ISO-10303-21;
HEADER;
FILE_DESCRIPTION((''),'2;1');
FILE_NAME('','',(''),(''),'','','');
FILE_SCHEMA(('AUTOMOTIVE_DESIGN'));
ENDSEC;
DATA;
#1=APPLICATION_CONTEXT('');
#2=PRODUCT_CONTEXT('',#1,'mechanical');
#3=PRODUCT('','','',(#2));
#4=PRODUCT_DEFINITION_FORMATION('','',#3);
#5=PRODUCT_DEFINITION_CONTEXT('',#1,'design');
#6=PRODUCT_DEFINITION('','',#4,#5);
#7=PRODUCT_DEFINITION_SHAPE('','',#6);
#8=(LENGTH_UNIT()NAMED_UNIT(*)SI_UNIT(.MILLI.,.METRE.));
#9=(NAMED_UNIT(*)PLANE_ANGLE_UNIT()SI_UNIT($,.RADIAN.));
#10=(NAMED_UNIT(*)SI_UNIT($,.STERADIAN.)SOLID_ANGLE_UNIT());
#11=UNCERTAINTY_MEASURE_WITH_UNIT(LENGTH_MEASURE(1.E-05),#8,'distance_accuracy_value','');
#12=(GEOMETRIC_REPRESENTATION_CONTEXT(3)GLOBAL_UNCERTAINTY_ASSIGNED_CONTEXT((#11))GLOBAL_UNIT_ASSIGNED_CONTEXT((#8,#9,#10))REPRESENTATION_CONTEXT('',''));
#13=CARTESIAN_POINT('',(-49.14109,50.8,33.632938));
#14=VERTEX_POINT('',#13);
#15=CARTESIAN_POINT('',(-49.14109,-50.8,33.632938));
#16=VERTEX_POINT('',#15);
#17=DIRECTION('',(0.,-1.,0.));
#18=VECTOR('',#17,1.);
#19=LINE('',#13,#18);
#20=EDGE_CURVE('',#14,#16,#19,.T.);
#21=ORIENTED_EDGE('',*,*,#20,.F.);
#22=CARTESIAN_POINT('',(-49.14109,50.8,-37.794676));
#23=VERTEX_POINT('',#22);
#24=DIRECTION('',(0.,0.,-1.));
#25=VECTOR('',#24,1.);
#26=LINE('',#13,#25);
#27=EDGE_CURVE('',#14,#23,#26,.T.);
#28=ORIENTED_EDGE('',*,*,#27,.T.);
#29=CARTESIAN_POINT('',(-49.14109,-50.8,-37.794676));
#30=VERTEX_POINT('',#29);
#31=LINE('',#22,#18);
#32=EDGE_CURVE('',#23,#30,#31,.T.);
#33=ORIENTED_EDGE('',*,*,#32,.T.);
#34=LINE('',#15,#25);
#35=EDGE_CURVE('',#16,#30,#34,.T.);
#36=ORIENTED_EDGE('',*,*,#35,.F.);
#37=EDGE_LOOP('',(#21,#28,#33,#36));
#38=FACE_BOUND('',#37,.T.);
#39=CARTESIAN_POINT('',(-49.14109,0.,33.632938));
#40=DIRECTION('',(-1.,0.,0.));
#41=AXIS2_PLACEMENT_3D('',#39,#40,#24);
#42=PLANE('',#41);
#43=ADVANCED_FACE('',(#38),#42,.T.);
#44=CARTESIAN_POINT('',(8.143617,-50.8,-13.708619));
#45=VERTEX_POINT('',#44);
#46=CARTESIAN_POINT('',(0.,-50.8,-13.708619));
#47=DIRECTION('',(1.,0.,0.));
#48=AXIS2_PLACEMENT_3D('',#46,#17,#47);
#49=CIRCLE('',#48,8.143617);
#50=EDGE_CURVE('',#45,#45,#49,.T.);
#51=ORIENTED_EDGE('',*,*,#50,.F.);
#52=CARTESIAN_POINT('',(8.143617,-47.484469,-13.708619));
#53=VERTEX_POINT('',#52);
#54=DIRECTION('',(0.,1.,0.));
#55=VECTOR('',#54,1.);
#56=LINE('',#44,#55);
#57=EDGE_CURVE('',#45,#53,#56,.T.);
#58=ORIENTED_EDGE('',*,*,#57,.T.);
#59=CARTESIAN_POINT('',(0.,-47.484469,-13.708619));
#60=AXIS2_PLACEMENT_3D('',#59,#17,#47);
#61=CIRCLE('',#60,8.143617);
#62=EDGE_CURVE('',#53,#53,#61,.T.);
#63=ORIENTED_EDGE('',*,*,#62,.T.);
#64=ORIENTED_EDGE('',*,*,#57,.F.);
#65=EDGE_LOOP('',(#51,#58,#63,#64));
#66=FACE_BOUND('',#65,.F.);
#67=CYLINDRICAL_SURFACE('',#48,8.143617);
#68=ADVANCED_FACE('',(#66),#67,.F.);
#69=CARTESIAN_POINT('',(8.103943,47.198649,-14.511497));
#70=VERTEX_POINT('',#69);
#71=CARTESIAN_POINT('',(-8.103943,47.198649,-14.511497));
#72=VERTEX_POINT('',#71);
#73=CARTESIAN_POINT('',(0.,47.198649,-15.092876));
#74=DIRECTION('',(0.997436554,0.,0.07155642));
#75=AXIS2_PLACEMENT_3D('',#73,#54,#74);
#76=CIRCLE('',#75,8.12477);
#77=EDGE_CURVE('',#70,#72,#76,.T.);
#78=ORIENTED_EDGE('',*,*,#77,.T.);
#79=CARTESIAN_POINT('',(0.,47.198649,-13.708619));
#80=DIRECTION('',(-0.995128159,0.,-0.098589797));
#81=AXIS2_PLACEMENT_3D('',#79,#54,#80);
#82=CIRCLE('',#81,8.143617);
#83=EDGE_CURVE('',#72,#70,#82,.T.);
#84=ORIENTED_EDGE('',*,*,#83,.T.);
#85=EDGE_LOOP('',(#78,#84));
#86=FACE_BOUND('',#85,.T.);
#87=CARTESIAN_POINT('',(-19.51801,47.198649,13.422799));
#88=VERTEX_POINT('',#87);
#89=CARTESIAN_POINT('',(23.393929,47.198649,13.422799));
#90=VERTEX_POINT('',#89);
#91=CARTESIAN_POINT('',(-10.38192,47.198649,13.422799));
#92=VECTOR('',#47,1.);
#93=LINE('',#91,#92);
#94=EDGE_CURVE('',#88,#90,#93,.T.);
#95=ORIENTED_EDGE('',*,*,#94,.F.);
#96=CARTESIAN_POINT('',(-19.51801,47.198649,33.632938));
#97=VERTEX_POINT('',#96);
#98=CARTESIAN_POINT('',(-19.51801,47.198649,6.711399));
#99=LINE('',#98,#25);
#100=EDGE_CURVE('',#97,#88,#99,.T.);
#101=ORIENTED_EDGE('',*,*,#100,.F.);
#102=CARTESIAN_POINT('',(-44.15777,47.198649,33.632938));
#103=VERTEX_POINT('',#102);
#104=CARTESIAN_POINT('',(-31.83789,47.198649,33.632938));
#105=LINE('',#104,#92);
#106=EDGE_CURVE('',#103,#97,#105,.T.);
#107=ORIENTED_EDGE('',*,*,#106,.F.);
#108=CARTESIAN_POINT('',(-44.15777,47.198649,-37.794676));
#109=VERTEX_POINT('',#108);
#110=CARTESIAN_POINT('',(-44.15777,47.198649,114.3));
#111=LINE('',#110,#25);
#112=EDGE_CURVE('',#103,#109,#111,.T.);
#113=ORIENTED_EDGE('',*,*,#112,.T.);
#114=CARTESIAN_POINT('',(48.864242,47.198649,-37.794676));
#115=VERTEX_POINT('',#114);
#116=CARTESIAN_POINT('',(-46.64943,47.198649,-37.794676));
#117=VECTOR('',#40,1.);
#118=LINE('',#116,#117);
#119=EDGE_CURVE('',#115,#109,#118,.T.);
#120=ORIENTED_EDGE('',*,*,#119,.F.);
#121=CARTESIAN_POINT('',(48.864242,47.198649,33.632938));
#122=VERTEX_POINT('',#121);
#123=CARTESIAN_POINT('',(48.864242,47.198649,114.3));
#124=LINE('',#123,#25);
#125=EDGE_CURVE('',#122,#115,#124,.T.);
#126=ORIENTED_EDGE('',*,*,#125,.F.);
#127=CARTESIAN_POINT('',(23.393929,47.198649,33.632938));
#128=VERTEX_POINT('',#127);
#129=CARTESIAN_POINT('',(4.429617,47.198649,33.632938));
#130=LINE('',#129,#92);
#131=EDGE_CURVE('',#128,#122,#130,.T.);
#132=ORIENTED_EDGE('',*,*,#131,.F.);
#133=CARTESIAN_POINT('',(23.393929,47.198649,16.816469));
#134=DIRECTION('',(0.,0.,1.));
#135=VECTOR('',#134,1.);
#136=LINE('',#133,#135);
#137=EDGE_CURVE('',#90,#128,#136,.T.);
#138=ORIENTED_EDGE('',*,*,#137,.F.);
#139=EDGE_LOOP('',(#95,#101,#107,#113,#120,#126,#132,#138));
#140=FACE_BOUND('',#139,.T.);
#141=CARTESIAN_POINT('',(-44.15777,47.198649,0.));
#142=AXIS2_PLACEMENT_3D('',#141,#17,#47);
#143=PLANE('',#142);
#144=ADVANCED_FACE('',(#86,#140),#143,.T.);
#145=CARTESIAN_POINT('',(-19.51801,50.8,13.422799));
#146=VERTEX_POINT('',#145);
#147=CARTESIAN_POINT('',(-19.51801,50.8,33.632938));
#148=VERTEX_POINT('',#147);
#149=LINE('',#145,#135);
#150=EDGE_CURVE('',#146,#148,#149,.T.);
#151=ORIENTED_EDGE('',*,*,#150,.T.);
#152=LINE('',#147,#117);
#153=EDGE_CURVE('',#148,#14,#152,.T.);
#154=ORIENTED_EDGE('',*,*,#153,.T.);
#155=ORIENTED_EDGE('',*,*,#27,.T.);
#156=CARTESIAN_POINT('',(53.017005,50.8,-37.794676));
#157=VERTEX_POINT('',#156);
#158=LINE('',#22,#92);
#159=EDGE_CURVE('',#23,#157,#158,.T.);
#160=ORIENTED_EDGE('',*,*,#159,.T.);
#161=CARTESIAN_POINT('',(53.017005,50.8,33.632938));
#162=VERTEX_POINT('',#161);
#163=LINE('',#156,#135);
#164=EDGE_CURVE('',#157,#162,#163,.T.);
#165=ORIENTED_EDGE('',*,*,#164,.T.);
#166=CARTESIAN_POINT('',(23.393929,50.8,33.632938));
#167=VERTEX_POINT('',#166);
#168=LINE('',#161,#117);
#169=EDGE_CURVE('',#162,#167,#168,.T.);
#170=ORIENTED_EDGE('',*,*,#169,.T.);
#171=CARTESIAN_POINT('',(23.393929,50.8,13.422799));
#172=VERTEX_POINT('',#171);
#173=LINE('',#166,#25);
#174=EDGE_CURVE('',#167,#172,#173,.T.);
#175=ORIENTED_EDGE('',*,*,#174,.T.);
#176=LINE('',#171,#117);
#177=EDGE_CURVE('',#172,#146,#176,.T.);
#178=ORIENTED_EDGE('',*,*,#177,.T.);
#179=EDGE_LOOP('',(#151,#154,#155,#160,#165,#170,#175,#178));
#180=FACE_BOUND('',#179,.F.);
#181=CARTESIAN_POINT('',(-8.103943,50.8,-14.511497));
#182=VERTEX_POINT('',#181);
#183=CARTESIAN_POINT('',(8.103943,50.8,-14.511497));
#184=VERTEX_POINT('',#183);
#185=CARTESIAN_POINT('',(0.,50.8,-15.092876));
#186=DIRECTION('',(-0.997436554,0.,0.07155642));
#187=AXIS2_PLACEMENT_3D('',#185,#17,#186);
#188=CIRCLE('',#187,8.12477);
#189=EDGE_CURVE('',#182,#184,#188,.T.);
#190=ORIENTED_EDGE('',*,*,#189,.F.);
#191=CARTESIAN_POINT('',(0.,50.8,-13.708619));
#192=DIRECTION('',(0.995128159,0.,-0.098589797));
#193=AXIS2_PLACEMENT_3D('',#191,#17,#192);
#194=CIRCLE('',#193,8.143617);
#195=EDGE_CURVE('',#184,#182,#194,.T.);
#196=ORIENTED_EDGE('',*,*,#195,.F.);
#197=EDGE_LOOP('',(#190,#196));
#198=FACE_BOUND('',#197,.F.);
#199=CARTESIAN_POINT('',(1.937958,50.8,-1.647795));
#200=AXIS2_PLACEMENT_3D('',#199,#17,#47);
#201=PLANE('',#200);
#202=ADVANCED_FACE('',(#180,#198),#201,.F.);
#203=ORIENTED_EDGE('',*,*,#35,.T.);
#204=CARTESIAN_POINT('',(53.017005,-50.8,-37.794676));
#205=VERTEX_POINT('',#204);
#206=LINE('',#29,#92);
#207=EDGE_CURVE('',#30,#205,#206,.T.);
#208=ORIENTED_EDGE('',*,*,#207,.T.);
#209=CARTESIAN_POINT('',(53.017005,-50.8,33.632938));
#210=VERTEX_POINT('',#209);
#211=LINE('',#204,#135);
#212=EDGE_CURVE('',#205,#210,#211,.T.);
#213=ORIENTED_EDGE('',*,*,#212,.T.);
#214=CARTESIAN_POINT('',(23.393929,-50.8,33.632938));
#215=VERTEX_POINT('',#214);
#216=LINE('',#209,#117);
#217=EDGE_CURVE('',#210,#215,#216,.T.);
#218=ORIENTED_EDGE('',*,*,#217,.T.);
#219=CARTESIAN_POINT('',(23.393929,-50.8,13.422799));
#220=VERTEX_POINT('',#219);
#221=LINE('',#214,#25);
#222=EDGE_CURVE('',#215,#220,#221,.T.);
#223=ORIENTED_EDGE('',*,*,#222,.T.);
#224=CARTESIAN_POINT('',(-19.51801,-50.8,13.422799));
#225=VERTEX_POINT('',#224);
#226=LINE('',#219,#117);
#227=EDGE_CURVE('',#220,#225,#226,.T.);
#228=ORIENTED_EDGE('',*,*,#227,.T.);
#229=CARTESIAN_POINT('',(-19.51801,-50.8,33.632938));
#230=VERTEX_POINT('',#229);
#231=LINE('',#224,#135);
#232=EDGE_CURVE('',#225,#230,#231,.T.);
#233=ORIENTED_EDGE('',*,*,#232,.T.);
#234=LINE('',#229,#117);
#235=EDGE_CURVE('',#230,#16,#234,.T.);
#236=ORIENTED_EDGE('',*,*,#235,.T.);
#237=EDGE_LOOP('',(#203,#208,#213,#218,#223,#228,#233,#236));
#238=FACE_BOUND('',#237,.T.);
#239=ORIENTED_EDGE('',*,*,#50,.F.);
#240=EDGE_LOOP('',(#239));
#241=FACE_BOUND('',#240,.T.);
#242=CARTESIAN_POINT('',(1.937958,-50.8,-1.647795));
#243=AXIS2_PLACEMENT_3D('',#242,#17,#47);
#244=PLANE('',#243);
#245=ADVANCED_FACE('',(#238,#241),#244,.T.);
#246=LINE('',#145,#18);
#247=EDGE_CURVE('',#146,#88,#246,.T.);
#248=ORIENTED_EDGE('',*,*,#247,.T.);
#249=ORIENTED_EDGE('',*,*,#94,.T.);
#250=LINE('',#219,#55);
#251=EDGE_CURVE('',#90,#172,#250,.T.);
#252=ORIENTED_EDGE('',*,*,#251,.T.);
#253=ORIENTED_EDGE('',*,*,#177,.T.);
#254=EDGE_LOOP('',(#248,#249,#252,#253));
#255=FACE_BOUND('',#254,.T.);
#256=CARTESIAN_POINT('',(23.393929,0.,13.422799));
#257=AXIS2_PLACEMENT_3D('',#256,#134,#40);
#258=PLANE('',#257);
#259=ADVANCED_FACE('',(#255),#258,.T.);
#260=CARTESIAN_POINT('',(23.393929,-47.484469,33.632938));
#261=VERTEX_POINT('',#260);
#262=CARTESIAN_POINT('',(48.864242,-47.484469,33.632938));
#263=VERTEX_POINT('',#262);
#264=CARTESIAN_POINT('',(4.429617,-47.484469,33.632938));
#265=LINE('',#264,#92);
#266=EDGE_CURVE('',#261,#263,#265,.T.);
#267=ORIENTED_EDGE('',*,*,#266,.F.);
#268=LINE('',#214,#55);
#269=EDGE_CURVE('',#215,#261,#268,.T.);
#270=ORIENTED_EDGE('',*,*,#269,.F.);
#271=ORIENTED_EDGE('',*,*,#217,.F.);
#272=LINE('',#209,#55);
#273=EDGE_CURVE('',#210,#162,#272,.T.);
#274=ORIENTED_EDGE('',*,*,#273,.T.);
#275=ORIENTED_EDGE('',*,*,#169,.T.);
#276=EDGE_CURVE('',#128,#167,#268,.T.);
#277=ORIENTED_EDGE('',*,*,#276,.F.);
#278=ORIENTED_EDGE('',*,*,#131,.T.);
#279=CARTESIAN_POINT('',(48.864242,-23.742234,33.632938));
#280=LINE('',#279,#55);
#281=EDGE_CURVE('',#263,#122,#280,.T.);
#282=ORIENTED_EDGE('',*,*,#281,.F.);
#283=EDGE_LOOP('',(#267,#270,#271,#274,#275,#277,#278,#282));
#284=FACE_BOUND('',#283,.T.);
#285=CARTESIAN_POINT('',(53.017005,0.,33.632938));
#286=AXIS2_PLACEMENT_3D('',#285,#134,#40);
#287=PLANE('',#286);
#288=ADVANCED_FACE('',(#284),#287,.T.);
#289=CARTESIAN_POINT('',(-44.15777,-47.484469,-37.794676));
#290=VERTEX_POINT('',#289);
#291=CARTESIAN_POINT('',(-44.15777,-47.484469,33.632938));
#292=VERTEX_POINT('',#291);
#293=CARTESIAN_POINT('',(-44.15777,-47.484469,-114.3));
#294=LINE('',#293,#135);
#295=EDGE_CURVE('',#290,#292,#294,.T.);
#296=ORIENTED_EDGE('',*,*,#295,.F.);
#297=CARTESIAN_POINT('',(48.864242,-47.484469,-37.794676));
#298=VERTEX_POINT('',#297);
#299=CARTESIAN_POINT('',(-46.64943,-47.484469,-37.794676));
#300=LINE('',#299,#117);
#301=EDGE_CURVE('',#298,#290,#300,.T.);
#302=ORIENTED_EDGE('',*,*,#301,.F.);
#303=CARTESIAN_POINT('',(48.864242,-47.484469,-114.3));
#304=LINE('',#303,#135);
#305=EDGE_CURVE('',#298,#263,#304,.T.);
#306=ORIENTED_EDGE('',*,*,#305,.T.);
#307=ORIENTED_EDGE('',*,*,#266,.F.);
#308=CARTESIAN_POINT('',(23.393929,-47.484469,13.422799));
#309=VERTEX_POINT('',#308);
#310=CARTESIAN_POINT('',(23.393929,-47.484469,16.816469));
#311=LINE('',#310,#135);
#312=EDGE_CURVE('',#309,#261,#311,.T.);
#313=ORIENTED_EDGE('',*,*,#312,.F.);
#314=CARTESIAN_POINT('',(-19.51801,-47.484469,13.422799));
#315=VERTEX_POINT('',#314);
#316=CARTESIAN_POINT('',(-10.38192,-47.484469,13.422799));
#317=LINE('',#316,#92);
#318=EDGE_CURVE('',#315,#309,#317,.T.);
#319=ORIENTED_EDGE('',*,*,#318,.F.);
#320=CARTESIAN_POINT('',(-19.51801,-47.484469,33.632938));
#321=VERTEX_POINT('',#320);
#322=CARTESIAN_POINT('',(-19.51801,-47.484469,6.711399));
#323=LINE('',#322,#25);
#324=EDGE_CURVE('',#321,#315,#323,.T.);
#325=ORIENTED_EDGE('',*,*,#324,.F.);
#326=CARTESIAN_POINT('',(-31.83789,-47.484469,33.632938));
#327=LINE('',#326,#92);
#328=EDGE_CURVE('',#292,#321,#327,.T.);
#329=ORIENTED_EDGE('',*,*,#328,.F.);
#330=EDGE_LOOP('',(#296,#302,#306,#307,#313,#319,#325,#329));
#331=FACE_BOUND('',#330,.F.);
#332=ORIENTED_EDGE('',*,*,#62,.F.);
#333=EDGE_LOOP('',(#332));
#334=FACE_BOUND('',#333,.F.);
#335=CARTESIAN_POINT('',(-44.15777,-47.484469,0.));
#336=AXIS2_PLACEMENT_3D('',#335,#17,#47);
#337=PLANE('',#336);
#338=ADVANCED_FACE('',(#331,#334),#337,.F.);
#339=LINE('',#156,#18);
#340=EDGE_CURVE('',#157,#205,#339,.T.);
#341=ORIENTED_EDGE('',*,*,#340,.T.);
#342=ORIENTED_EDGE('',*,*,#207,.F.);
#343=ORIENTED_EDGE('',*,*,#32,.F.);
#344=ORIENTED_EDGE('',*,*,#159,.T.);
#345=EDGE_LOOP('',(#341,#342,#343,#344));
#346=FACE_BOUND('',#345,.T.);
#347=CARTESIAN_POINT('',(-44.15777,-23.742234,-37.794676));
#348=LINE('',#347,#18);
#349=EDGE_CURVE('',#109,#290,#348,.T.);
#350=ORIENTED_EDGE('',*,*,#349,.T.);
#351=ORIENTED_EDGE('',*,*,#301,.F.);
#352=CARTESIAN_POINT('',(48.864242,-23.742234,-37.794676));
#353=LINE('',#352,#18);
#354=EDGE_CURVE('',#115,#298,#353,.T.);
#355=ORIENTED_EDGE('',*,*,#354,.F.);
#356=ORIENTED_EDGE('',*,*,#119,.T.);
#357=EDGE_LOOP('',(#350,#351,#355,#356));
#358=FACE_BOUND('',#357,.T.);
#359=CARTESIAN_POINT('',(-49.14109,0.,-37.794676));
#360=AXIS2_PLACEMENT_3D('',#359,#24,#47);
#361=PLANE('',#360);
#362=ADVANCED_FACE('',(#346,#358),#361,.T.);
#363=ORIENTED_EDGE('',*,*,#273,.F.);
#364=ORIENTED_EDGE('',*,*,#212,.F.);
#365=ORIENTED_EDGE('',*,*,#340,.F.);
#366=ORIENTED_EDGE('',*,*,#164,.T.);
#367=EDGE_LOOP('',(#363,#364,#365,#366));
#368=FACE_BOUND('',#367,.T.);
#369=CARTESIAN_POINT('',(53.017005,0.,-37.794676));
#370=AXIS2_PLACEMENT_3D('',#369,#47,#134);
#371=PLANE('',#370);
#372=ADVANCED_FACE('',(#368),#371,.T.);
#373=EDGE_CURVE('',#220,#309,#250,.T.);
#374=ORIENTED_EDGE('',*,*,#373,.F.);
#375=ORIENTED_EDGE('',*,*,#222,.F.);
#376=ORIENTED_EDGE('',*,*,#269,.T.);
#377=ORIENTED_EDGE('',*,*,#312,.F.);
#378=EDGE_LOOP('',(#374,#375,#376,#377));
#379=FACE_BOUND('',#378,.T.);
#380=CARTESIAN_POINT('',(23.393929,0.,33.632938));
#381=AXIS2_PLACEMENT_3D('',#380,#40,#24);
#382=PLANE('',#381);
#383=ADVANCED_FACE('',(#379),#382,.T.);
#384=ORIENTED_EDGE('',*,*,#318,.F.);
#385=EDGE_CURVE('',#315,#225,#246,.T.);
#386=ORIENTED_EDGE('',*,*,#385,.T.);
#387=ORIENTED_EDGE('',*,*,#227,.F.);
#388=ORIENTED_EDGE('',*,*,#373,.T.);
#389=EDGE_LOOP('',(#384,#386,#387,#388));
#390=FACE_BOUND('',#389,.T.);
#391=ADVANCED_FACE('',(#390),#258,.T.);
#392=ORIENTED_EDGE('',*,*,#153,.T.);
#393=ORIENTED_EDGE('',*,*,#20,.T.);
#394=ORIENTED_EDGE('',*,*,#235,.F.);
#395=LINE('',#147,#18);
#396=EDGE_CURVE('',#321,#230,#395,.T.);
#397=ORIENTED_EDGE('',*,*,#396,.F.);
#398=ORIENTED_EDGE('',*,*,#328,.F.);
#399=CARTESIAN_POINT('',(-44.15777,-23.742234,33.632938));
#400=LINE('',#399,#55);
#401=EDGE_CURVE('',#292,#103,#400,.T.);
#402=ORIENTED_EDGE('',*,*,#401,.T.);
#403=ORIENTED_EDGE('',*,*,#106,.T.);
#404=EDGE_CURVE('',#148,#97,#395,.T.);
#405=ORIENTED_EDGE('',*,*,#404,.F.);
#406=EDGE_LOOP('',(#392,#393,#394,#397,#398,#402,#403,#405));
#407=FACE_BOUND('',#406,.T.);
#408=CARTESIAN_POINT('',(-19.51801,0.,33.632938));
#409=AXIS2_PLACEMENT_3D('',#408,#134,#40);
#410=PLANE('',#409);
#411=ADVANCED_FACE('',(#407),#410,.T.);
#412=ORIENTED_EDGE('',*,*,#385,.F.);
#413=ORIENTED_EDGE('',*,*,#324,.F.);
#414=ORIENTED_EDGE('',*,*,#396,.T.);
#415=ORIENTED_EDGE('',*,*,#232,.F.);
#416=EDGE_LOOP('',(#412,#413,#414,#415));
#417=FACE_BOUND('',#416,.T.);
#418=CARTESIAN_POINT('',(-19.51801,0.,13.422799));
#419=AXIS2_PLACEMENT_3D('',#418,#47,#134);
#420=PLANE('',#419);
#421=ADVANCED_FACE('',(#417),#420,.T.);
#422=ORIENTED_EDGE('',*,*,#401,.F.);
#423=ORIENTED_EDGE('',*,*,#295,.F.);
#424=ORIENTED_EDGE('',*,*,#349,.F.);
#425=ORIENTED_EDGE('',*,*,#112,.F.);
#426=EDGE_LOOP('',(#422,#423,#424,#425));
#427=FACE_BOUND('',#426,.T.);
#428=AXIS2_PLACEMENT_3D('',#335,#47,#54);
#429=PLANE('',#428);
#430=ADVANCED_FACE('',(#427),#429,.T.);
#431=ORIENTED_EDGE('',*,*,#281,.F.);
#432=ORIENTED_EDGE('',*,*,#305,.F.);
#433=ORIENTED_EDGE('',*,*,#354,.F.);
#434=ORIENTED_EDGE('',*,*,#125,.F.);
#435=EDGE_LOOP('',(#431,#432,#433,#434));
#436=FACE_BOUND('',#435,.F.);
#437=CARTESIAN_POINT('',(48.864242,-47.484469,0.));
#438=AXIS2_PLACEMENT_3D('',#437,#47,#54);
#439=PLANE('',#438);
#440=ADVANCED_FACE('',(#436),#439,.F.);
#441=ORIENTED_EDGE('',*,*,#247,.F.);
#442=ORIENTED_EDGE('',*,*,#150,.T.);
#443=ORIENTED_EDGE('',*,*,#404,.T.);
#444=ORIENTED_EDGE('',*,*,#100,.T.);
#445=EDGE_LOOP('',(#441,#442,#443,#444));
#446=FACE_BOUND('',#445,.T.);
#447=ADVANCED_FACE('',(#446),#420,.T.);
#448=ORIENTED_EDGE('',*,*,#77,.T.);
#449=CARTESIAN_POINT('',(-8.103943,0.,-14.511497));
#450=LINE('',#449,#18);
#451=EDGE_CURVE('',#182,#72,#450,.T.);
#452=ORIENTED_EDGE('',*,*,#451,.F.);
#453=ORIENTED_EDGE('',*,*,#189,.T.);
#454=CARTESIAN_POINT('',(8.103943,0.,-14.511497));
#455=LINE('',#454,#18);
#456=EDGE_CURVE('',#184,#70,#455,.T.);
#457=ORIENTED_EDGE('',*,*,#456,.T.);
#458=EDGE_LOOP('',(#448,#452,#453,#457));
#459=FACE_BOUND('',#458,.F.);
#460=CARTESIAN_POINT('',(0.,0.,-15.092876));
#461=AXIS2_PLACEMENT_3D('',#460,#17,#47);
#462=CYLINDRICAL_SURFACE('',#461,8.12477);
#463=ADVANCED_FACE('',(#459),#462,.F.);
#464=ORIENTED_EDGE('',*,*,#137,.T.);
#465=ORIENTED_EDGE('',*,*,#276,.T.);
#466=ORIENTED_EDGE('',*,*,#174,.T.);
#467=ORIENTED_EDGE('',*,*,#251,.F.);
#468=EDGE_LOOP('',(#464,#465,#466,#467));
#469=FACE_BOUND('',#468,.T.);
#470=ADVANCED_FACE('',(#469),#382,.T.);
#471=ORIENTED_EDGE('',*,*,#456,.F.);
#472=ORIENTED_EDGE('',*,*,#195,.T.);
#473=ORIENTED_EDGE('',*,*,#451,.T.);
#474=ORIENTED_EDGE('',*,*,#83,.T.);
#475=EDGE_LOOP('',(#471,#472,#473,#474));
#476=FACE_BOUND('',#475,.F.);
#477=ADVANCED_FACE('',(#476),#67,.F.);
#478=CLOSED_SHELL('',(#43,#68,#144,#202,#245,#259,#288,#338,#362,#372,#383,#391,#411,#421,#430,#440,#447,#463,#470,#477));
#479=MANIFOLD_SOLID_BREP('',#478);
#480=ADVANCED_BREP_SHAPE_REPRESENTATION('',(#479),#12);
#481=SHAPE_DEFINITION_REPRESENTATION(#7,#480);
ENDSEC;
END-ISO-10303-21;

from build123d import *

# Parameters (mm, degrees)
F1_DEPTH = 50.8
F2_W     = 93.022012
F2_H     = 94.683118
F3_DEPTH = 114.3
F4_R     = 8.12477
F5_DEPTH = 228.6
F6_R     = 8.143617
F7_DEPTH = 152.4


with BuildPart() as f1:
    # F0 (on Front) → F1 (new body, symmetric)
    with BuildSketch(Plane.XZ):
        Polygon((23.393929, 13.422799), (-19.51801, 13.422799), (-19.51801, 33.632938), (-49.14109, 33.632938), (-49.14109, 13.422799), (-49.14109, -37.794676), (53.017005, -37.794676), (53.017005, 13.422799), (53.017005, 33.632938), (23.393929, 33.632938), align=None)
    extrude(amount=F1_DEPTH, both=True)

    # F2 (on Top) → F3 (cut, symmetric)
    with BuildSketch(Plane.XY):
        with Locations((2.353236, -0.14291)):
            Rectangle(F2_W, F2_H)
    extrude(amount=F3_DEPTH, both=True, mode=Mode.SUBTRACT)

    # F4 (on Front) → F5 (cut)
    with BuildSketch(Plane.XZ):
        with Locations((0, -15.092876)):
            Circle(F4_R)
    extrude(amount=-F5_DEPTH, mode=Mode.SUBTRACT)

    # F6 (on face) → F7 (cut)
    with BuildSketch(Plane.XZ.offset(50.8)):
        with Locations((0, -13.708619)):
            Circle(F6_R)
    extrude(amount=-F7_DEPTH, mode=Mode.SUBTRACT)


solid = f1.part
